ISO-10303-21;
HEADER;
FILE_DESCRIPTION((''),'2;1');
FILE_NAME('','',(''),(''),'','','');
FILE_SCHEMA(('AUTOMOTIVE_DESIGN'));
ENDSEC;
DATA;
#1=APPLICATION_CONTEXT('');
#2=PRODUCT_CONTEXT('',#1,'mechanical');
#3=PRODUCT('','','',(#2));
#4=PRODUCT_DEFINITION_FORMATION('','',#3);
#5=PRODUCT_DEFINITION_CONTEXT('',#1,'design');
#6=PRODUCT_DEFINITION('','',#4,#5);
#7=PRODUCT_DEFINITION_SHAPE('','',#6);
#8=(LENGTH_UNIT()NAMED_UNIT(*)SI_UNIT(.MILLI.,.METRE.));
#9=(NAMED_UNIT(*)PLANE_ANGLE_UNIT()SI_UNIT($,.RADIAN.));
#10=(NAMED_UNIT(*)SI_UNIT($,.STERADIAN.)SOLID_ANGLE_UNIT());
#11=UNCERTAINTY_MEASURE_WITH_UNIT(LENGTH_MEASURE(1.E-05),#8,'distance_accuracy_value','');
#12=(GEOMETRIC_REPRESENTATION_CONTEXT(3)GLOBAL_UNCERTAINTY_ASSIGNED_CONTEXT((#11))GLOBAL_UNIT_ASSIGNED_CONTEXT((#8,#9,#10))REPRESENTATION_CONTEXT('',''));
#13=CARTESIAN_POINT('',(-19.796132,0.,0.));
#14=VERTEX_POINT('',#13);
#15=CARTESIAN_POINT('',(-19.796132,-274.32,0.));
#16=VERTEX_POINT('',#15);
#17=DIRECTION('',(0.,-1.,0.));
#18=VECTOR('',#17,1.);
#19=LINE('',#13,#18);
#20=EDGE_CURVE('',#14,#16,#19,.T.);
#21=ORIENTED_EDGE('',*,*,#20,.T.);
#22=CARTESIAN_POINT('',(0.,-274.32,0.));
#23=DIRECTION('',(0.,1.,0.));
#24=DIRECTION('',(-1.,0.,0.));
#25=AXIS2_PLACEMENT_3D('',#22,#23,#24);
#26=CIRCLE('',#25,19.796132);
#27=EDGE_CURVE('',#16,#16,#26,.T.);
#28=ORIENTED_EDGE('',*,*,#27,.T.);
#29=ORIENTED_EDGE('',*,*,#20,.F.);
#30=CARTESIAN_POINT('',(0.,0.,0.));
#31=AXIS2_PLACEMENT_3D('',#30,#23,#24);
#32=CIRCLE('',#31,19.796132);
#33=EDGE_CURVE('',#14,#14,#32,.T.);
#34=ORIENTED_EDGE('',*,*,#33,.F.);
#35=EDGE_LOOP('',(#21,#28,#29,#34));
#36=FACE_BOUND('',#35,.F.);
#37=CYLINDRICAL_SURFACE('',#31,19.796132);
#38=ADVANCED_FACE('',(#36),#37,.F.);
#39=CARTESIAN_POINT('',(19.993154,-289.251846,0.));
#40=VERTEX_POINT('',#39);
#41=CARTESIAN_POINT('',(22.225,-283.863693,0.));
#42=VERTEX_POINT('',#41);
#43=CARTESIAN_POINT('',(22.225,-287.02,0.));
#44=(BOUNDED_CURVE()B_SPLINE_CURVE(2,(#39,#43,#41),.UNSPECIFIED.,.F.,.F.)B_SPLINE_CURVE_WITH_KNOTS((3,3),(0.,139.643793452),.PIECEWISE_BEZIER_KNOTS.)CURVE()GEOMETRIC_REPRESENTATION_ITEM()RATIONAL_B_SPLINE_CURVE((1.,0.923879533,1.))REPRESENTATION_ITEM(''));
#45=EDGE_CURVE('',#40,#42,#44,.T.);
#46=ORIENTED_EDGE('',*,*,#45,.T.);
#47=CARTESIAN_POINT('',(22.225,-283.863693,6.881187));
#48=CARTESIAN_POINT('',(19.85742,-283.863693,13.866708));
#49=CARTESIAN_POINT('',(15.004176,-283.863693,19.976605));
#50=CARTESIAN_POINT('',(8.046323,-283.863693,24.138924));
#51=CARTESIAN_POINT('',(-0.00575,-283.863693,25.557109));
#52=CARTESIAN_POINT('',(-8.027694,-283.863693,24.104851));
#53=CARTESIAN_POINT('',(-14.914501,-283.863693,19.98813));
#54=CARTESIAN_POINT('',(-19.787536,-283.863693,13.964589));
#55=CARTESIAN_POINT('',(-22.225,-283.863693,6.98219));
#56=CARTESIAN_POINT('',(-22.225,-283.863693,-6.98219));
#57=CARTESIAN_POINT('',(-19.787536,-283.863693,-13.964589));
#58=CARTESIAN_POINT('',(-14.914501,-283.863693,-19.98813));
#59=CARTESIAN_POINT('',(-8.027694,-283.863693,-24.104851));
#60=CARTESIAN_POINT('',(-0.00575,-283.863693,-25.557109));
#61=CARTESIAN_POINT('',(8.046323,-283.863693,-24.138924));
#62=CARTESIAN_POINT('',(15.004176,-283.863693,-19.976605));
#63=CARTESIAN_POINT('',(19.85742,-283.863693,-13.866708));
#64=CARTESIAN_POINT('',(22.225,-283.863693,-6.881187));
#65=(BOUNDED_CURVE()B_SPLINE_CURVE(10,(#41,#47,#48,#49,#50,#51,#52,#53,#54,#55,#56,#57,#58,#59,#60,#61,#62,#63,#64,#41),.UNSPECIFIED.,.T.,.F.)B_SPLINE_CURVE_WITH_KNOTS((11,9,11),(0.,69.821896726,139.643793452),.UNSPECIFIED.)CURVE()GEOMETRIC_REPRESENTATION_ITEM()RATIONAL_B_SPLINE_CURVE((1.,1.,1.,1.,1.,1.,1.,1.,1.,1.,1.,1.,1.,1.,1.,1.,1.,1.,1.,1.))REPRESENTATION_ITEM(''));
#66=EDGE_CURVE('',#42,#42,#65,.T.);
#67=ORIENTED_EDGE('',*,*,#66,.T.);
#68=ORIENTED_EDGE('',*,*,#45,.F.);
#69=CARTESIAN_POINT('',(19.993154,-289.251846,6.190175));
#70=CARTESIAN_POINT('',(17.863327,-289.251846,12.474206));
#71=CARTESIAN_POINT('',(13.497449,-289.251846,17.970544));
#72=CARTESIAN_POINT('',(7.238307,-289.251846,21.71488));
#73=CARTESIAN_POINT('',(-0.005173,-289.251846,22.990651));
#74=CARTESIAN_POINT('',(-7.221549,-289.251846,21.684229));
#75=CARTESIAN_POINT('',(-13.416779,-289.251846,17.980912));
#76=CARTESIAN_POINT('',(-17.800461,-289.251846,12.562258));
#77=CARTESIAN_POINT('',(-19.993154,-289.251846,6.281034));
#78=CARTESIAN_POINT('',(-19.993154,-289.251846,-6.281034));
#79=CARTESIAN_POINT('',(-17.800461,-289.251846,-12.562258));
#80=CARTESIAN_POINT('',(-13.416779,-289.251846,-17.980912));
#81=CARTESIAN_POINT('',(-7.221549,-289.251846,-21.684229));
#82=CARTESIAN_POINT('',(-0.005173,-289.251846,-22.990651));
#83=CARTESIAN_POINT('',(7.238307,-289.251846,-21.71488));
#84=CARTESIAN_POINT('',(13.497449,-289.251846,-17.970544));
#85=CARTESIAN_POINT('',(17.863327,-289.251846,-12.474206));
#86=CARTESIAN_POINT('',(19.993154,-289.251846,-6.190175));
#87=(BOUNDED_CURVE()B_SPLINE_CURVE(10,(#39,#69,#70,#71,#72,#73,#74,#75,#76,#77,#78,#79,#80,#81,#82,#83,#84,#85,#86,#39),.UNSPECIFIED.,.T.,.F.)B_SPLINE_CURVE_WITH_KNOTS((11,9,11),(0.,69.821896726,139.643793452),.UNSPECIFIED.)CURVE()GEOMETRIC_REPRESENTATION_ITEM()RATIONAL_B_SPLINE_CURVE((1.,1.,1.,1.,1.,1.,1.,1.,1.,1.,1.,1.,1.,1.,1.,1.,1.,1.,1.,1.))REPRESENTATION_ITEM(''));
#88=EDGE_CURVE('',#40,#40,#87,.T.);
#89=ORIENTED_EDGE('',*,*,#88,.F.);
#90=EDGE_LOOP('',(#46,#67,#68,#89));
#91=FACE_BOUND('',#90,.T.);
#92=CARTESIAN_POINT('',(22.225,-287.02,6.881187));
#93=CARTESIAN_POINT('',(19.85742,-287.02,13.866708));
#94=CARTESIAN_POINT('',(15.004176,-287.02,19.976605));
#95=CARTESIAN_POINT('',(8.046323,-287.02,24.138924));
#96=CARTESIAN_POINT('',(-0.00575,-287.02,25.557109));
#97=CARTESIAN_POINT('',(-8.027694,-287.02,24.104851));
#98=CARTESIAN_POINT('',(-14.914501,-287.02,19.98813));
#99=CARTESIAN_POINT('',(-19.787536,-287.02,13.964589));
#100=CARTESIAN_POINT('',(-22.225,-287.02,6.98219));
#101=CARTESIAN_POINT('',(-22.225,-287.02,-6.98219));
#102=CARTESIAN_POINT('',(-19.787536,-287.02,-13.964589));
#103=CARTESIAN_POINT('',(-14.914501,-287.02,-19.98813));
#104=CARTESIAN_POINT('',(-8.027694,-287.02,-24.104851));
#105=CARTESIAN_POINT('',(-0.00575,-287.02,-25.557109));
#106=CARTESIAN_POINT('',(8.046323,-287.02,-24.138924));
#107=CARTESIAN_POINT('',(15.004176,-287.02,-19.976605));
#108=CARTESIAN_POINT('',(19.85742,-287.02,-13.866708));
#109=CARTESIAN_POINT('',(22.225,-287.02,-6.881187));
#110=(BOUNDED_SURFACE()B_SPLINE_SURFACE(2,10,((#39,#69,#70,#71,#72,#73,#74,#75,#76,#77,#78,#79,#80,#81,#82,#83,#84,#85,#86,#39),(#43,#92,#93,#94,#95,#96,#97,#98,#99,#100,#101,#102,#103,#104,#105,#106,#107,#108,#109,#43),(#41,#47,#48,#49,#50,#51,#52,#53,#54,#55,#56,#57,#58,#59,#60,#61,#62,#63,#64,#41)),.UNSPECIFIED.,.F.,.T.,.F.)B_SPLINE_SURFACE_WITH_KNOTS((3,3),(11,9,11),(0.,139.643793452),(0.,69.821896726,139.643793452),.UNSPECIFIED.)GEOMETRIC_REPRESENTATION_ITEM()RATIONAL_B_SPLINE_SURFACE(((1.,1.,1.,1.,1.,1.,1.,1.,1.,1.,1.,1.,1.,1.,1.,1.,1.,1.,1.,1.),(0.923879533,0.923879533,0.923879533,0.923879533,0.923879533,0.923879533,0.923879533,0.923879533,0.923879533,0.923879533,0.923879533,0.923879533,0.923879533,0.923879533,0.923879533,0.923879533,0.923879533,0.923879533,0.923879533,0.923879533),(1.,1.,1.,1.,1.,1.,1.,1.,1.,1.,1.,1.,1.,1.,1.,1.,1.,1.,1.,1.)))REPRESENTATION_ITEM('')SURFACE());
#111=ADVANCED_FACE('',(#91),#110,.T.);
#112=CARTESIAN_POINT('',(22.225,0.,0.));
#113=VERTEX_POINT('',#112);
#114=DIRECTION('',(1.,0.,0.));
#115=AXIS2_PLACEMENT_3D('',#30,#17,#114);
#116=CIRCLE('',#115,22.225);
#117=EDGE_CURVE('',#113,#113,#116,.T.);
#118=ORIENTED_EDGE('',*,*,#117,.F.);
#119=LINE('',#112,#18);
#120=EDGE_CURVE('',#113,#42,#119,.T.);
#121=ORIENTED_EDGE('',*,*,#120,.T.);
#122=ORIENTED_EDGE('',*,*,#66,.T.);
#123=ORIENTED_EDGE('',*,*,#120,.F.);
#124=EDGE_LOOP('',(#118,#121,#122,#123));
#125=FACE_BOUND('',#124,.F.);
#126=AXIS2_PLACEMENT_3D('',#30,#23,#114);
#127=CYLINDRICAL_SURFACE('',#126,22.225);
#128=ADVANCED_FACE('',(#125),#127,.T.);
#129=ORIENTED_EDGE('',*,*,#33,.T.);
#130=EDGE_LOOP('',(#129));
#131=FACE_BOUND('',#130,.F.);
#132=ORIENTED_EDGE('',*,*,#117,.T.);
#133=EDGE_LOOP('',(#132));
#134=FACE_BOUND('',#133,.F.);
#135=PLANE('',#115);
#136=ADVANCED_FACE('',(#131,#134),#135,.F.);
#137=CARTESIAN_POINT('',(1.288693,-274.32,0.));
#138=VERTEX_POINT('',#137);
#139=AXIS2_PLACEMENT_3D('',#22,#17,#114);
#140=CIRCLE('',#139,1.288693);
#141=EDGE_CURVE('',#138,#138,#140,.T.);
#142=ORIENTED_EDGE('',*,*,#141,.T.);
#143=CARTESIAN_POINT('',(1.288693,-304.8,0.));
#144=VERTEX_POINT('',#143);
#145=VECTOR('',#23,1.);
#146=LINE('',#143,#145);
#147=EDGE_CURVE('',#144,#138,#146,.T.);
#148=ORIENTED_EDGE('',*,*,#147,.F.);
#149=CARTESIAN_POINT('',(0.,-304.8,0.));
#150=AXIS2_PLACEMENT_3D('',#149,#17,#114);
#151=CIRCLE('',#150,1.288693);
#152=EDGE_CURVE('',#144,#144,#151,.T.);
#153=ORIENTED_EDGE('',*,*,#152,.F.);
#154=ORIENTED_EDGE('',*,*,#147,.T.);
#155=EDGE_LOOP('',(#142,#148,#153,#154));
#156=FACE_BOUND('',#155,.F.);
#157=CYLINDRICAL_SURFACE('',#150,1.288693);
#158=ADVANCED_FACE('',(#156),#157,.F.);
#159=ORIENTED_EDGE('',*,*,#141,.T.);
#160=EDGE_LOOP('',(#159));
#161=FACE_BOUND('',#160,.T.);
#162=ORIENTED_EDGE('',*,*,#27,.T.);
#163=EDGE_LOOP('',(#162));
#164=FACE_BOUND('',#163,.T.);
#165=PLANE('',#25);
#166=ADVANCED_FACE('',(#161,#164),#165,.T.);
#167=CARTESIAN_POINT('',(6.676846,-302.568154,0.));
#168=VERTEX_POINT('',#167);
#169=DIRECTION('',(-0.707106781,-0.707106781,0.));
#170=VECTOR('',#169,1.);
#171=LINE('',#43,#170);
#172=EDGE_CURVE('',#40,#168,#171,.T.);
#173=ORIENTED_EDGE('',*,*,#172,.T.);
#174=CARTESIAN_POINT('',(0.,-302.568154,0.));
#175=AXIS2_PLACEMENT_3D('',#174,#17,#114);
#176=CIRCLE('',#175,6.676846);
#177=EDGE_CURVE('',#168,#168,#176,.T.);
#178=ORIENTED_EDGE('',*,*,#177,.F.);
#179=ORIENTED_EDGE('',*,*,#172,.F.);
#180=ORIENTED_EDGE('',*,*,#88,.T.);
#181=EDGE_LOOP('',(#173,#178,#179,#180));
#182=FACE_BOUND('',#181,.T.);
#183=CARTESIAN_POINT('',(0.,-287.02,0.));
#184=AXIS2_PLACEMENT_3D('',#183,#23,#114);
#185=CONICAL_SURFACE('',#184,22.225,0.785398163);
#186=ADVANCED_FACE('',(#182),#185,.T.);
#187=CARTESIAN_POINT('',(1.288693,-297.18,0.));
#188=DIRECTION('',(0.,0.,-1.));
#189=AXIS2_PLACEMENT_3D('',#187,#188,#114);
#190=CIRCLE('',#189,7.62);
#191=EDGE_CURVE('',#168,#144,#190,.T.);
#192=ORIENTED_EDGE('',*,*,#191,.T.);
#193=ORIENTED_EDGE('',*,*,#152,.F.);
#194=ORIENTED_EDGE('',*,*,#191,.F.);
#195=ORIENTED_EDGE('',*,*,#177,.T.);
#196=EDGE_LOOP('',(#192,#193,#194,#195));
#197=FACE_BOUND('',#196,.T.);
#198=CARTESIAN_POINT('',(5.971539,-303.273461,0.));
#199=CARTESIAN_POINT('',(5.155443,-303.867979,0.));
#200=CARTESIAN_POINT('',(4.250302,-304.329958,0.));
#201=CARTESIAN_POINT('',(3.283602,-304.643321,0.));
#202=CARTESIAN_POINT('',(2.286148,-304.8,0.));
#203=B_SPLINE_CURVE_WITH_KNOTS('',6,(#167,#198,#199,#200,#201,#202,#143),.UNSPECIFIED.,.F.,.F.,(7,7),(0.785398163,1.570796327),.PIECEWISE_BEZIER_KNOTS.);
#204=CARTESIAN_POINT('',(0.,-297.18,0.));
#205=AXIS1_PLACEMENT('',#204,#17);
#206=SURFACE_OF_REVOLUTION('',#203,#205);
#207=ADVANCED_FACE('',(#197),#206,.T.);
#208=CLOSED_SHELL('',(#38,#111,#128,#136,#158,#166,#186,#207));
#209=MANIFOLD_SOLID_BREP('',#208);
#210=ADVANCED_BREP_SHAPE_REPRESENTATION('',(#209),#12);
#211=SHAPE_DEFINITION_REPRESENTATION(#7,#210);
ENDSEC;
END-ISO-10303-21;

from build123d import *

# Parameters (mm, degrees)
F0_R     = 22.225
F1_DEPTH = 304.8
F2_SIZE  = 17.78
F3_R     = 7.62
F4_R     = 7.62
F6_R     = 19.7961315642
F7_DEPTH = 274.32
F8_R     = 1.2886926547
F9_DEPTH = 304.8


with BuildPart() as f1:
    # F0 (on Front) → F1 (new body)
    with BuildSketch(Plane.XZ):
        Circle(F0_R)
    extrude(amount=F1_DEPTH)

    # F2
    f2_edges = [f1.edges().sort_by_distance(p)[0] for p in [
        (-22.225, -304.8, 0),
    ]]
    chamfer(f2_edges, length=F2_SIZE)

    # F3
    f3_edges = [f1.edges().sort_by_distance(p)[0] for p in [
        (-4.445, -304.8, 0),
    ]]
    fillet(f3_edges, radius=F3_R)

    # F4
    f4_edges = [f1.edges().sort_by_distance(p)[0] for p in [
        (-22.225, -287.02, 0),
    ]]
    fillet(f4_edges, radius=F4_R)

    # F6 (on face) → F7 (cut)
    with BuildSketch(Plane(origin=(0, 0, 0), x_dir=(-1, 0, 0), z_dir=(0, 1, 0))):
        Circle(F6_R)
    extrude(amount=-F7_DEPTH, mode=Mode.SUBTRACT)

    # F8 (on face) → F9 (cut)
    with BuildSketch(Plane.XZ.offset(304.8)):
        Circle(F8_R)
    extrude(amount=-F9_DEPTH, mode=Mode.SUBTRACT)


solid = f1.part
